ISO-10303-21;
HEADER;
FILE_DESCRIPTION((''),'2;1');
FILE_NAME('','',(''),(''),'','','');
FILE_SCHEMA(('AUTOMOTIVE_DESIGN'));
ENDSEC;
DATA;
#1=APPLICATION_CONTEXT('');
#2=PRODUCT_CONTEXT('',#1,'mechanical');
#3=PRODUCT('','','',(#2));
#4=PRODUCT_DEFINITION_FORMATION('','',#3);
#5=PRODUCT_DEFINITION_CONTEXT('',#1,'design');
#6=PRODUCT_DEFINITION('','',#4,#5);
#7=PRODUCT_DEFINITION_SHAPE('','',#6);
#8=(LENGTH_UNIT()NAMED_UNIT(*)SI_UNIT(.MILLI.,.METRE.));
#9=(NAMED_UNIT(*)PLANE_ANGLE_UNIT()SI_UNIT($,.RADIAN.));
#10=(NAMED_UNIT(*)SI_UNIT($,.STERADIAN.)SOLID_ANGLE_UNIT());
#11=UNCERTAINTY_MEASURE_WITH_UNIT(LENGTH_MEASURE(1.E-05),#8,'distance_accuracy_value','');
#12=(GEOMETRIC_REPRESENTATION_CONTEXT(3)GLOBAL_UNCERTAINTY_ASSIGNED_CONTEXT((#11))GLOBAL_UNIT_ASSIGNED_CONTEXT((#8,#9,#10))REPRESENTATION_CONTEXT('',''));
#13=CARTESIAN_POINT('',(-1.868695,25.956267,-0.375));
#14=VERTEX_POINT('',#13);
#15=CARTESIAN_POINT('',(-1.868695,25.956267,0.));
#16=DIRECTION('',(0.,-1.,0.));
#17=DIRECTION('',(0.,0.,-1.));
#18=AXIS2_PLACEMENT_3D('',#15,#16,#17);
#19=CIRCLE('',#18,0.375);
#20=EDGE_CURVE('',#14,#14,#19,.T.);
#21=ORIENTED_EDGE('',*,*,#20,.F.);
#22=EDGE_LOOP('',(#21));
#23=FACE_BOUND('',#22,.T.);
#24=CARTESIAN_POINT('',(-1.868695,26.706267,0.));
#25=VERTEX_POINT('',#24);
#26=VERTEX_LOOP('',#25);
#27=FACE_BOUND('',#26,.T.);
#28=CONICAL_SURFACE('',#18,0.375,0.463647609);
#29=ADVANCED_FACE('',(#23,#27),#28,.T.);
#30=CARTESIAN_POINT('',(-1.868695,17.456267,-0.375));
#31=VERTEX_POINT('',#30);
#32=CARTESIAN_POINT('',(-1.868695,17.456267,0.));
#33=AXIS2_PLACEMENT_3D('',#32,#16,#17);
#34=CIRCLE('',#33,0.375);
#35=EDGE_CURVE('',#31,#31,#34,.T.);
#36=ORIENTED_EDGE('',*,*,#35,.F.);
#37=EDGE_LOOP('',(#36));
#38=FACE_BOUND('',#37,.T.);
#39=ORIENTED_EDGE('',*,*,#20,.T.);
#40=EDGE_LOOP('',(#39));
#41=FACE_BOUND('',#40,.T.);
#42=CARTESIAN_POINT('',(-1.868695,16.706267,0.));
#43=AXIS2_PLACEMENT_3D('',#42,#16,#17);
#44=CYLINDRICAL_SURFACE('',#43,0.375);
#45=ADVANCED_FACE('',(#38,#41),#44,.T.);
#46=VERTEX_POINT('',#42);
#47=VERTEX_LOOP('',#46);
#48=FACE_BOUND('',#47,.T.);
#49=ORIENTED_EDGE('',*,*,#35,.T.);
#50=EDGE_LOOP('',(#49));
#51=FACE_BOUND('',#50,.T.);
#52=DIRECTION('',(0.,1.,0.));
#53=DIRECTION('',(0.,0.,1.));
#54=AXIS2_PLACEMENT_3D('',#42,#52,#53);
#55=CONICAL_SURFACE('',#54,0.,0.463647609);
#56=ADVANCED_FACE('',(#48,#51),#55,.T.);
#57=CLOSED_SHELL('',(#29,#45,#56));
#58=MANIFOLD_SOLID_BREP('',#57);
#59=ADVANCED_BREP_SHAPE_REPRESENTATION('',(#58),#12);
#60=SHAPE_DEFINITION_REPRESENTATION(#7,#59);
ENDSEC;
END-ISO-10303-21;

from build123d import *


with BuildPart() as part:
    # Croquis1 → Revolución1 (revolve)
    with BuildSketch(Plane.XY):
        Polygon((-1.868695092, 16.706266518), (-1.493695092, 17.456266518), (-1.493695092, 25.956266518), (-1.868695092, 26.706266518), align=None)
    revolve(axis=Axis((-1.868695092, 16.706266518, 0), (0, 1, 0)))


solid = part.part
